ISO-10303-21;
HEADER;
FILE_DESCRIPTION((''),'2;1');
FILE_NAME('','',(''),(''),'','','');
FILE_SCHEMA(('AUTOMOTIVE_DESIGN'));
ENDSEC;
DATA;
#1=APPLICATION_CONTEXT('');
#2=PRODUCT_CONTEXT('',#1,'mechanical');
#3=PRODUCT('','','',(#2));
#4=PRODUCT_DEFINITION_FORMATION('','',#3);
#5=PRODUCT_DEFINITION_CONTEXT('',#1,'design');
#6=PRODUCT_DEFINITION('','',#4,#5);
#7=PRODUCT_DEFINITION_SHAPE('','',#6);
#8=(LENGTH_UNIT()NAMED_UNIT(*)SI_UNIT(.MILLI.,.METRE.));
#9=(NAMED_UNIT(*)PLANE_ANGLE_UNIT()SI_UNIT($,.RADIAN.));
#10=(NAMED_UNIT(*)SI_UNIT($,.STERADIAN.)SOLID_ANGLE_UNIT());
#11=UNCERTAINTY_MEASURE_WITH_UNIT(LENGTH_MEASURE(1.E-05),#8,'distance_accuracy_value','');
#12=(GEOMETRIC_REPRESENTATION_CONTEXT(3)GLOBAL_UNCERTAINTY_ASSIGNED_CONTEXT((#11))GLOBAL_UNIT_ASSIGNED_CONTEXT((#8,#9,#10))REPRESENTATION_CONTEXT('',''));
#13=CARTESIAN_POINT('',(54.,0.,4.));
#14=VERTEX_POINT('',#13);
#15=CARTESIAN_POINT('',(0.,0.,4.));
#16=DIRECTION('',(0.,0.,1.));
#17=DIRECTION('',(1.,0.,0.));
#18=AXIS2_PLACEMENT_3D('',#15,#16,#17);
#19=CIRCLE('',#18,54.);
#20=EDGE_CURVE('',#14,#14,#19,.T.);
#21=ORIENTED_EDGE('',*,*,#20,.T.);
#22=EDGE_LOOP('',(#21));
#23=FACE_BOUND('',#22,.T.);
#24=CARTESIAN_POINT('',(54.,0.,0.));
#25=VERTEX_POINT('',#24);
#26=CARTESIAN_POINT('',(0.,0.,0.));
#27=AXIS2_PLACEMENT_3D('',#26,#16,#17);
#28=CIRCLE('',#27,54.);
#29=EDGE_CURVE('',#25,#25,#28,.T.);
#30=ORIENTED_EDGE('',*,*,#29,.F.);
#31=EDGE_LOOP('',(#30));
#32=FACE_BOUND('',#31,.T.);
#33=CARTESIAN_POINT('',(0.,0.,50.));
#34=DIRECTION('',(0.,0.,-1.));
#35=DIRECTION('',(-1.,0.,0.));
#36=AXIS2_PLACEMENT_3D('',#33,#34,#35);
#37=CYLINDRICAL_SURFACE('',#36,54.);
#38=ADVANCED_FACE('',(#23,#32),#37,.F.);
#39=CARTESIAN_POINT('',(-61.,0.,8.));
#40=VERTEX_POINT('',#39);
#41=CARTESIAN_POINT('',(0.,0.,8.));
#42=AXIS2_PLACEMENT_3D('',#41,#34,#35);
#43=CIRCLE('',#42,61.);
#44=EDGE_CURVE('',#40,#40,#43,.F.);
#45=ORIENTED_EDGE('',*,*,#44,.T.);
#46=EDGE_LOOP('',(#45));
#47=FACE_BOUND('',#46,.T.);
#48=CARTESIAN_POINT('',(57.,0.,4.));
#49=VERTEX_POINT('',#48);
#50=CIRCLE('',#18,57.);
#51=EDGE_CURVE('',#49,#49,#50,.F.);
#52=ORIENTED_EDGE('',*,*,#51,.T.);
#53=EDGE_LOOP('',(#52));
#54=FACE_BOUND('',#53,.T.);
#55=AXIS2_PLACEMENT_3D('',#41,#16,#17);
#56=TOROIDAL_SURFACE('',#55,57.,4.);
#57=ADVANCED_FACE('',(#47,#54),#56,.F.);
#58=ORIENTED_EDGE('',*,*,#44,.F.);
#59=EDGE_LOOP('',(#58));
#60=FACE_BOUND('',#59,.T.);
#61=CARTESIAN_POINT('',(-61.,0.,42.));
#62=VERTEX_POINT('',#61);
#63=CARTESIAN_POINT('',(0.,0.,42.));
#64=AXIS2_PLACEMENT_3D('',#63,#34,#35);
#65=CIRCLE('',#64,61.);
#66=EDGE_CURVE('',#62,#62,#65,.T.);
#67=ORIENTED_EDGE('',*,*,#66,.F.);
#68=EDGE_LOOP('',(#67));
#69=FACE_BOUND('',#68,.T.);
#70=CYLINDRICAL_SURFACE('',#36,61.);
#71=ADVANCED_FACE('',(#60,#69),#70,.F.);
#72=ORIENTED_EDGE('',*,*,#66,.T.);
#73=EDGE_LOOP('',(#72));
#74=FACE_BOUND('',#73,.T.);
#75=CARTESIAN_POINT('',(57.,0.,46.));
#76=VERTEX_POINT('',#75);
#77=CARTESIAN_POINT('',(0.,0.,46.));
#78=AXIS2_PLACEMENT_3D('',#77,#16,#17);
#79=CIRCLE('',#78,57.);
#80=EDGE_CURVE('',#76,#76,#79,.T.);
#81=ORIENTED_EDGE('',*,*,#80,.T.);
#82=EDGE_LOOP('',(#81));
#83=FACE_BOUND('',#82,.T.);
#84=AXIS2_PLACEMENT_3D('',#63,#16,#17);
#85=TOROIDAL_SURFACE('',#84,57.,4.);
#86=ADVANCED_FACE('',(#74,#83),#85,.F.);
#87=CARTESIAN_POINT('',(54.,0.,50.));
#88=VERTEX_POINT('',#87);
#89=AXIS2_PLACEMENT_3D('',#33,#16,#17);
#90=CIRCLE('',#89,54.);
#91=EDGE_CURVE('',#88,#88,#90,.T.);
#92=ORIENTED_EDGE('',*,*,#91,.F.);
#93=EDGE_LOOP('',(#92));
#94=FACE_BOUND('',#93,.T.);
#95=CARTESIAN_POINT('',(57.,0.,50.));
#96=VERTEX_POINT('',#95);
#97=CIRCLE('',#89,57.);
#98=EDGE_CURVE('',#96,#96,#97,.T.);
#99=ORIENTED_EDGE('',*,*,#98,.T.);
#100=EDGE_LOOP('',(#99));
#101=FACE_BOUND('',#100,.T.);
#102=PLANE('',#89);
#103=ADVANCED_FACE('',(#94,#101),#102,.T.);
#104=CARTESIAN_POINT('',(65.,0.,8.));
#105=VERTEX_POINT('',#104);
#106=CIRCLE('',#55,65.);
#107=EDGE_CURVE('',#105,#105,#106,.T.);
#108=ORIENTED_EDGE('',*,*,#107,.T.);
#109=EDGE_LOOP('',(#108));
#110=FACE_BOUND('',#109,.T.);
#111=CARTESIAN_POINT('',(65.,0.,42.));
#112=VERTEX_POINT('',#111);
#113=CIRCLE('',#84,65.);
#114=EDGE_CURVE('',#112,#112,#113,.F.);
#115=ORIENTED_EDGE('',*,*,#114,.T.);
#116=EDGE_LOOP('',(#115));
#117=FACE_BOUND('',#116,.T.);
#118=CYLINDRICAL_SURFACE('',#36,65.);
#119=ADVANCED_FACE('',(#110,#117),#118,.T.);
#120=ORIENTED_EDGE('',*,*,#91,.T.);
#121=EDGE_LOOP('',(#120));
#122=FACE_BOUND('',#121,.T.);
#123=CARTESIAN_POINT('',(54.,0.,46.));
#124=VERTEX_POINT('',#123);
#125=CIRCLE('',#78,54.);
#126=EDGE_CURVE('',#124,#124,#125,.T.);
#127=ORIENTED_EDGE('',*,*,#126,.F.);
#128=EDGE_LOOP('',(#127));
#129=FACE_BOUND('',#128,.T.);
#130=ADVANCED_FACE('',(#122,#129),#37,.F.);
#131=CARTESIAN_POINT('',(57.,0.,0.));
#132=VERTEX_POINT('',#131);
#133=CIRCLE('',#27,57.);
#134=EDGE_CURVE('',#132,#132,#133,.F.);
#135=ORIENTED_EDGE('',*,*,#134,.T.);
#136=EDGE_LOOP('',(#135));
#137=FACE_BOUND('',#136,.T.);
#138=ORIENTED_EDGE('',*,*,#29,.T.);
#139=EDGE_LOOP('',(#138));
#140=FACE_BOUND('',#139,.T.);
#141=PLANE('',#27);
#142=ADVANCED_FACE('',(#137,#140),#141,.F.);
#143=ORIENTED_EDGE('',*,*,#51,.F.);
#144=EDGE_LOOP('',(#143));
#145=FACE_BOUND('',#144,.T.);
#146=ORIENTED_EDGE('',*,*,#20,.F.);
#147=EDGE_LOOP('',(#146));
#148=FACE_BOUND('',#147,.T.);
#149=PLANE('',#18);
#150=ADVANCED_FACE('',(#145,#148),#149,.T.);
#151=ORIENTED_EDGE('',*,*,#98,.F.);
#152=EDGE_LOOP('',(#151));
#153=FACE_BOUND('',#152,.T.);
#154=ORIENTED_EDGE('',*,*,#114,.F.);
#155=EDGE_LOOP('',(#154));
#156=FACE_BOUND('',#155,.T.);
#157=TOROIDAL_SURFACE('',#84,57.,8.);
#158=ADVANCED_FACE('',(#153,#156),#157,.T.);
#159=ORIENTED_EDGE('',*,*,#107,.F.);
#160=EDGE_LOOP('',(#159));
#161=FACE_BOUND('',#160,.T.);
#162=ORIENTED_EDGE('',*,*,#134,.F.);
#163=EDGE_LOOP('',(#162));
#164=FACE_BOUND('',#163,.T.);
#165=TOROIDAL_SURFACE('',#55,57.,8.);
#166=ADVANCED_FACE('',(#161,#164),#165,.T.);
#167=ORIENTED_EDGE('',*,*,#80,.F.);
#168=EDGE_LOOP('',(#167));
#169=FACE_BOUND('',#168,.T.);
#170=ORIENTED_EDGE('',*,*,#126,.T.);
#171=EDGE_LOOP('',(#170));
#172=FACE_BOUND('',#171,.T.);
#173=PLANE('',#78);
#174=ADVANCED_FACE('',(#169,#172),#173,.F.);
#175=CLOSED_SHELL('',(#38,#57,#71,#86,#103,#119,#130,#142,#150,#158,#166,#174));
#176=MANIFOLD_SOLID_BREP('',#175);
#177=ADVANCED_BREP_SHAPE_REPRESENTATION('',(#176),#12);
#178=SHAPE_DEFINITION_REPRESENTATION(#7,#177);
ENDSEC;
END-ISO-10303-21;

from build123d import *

# Parameters (mm, degrees)
SKETCH_1_R      = 65
SKETCH_1_R_2    = 54
EXTRUDE_1_DEPTH = 50
FILLET_1_R      = 8
SHELL_1_T       = -4


with BuildPart() as part:
    # Эскиз1 → Вытянуть-Тонкостенный1 (new body)
    with BuildSketch(Plane.XY):
        Circle(SKETCH_1_R)
        Circle(SKETCH_1_R_2, mode=Mode.SUBTRACT)
    extrude(amount=EXTRUDE_1_DEPTH)

    # Скругление1
    fillet_1_edges = [part.edges().sort_by_distance(p)[0] for p in [
        (-65, 0, 0),
        (-65, 0, 50),
    ]]
    fillet(fillet_1_edges, radius=FILLET_1_R)

    # Оболочка1
    shell_1_openings = [part.faces().sort_by_distance(p)[0] for p in [
        (-54, 0, 25),
    ]]
    offset(amount=SHELL_1_T, openings=shell_1_openings, kind=Kind.INTERSECTION)


solid = part.part
